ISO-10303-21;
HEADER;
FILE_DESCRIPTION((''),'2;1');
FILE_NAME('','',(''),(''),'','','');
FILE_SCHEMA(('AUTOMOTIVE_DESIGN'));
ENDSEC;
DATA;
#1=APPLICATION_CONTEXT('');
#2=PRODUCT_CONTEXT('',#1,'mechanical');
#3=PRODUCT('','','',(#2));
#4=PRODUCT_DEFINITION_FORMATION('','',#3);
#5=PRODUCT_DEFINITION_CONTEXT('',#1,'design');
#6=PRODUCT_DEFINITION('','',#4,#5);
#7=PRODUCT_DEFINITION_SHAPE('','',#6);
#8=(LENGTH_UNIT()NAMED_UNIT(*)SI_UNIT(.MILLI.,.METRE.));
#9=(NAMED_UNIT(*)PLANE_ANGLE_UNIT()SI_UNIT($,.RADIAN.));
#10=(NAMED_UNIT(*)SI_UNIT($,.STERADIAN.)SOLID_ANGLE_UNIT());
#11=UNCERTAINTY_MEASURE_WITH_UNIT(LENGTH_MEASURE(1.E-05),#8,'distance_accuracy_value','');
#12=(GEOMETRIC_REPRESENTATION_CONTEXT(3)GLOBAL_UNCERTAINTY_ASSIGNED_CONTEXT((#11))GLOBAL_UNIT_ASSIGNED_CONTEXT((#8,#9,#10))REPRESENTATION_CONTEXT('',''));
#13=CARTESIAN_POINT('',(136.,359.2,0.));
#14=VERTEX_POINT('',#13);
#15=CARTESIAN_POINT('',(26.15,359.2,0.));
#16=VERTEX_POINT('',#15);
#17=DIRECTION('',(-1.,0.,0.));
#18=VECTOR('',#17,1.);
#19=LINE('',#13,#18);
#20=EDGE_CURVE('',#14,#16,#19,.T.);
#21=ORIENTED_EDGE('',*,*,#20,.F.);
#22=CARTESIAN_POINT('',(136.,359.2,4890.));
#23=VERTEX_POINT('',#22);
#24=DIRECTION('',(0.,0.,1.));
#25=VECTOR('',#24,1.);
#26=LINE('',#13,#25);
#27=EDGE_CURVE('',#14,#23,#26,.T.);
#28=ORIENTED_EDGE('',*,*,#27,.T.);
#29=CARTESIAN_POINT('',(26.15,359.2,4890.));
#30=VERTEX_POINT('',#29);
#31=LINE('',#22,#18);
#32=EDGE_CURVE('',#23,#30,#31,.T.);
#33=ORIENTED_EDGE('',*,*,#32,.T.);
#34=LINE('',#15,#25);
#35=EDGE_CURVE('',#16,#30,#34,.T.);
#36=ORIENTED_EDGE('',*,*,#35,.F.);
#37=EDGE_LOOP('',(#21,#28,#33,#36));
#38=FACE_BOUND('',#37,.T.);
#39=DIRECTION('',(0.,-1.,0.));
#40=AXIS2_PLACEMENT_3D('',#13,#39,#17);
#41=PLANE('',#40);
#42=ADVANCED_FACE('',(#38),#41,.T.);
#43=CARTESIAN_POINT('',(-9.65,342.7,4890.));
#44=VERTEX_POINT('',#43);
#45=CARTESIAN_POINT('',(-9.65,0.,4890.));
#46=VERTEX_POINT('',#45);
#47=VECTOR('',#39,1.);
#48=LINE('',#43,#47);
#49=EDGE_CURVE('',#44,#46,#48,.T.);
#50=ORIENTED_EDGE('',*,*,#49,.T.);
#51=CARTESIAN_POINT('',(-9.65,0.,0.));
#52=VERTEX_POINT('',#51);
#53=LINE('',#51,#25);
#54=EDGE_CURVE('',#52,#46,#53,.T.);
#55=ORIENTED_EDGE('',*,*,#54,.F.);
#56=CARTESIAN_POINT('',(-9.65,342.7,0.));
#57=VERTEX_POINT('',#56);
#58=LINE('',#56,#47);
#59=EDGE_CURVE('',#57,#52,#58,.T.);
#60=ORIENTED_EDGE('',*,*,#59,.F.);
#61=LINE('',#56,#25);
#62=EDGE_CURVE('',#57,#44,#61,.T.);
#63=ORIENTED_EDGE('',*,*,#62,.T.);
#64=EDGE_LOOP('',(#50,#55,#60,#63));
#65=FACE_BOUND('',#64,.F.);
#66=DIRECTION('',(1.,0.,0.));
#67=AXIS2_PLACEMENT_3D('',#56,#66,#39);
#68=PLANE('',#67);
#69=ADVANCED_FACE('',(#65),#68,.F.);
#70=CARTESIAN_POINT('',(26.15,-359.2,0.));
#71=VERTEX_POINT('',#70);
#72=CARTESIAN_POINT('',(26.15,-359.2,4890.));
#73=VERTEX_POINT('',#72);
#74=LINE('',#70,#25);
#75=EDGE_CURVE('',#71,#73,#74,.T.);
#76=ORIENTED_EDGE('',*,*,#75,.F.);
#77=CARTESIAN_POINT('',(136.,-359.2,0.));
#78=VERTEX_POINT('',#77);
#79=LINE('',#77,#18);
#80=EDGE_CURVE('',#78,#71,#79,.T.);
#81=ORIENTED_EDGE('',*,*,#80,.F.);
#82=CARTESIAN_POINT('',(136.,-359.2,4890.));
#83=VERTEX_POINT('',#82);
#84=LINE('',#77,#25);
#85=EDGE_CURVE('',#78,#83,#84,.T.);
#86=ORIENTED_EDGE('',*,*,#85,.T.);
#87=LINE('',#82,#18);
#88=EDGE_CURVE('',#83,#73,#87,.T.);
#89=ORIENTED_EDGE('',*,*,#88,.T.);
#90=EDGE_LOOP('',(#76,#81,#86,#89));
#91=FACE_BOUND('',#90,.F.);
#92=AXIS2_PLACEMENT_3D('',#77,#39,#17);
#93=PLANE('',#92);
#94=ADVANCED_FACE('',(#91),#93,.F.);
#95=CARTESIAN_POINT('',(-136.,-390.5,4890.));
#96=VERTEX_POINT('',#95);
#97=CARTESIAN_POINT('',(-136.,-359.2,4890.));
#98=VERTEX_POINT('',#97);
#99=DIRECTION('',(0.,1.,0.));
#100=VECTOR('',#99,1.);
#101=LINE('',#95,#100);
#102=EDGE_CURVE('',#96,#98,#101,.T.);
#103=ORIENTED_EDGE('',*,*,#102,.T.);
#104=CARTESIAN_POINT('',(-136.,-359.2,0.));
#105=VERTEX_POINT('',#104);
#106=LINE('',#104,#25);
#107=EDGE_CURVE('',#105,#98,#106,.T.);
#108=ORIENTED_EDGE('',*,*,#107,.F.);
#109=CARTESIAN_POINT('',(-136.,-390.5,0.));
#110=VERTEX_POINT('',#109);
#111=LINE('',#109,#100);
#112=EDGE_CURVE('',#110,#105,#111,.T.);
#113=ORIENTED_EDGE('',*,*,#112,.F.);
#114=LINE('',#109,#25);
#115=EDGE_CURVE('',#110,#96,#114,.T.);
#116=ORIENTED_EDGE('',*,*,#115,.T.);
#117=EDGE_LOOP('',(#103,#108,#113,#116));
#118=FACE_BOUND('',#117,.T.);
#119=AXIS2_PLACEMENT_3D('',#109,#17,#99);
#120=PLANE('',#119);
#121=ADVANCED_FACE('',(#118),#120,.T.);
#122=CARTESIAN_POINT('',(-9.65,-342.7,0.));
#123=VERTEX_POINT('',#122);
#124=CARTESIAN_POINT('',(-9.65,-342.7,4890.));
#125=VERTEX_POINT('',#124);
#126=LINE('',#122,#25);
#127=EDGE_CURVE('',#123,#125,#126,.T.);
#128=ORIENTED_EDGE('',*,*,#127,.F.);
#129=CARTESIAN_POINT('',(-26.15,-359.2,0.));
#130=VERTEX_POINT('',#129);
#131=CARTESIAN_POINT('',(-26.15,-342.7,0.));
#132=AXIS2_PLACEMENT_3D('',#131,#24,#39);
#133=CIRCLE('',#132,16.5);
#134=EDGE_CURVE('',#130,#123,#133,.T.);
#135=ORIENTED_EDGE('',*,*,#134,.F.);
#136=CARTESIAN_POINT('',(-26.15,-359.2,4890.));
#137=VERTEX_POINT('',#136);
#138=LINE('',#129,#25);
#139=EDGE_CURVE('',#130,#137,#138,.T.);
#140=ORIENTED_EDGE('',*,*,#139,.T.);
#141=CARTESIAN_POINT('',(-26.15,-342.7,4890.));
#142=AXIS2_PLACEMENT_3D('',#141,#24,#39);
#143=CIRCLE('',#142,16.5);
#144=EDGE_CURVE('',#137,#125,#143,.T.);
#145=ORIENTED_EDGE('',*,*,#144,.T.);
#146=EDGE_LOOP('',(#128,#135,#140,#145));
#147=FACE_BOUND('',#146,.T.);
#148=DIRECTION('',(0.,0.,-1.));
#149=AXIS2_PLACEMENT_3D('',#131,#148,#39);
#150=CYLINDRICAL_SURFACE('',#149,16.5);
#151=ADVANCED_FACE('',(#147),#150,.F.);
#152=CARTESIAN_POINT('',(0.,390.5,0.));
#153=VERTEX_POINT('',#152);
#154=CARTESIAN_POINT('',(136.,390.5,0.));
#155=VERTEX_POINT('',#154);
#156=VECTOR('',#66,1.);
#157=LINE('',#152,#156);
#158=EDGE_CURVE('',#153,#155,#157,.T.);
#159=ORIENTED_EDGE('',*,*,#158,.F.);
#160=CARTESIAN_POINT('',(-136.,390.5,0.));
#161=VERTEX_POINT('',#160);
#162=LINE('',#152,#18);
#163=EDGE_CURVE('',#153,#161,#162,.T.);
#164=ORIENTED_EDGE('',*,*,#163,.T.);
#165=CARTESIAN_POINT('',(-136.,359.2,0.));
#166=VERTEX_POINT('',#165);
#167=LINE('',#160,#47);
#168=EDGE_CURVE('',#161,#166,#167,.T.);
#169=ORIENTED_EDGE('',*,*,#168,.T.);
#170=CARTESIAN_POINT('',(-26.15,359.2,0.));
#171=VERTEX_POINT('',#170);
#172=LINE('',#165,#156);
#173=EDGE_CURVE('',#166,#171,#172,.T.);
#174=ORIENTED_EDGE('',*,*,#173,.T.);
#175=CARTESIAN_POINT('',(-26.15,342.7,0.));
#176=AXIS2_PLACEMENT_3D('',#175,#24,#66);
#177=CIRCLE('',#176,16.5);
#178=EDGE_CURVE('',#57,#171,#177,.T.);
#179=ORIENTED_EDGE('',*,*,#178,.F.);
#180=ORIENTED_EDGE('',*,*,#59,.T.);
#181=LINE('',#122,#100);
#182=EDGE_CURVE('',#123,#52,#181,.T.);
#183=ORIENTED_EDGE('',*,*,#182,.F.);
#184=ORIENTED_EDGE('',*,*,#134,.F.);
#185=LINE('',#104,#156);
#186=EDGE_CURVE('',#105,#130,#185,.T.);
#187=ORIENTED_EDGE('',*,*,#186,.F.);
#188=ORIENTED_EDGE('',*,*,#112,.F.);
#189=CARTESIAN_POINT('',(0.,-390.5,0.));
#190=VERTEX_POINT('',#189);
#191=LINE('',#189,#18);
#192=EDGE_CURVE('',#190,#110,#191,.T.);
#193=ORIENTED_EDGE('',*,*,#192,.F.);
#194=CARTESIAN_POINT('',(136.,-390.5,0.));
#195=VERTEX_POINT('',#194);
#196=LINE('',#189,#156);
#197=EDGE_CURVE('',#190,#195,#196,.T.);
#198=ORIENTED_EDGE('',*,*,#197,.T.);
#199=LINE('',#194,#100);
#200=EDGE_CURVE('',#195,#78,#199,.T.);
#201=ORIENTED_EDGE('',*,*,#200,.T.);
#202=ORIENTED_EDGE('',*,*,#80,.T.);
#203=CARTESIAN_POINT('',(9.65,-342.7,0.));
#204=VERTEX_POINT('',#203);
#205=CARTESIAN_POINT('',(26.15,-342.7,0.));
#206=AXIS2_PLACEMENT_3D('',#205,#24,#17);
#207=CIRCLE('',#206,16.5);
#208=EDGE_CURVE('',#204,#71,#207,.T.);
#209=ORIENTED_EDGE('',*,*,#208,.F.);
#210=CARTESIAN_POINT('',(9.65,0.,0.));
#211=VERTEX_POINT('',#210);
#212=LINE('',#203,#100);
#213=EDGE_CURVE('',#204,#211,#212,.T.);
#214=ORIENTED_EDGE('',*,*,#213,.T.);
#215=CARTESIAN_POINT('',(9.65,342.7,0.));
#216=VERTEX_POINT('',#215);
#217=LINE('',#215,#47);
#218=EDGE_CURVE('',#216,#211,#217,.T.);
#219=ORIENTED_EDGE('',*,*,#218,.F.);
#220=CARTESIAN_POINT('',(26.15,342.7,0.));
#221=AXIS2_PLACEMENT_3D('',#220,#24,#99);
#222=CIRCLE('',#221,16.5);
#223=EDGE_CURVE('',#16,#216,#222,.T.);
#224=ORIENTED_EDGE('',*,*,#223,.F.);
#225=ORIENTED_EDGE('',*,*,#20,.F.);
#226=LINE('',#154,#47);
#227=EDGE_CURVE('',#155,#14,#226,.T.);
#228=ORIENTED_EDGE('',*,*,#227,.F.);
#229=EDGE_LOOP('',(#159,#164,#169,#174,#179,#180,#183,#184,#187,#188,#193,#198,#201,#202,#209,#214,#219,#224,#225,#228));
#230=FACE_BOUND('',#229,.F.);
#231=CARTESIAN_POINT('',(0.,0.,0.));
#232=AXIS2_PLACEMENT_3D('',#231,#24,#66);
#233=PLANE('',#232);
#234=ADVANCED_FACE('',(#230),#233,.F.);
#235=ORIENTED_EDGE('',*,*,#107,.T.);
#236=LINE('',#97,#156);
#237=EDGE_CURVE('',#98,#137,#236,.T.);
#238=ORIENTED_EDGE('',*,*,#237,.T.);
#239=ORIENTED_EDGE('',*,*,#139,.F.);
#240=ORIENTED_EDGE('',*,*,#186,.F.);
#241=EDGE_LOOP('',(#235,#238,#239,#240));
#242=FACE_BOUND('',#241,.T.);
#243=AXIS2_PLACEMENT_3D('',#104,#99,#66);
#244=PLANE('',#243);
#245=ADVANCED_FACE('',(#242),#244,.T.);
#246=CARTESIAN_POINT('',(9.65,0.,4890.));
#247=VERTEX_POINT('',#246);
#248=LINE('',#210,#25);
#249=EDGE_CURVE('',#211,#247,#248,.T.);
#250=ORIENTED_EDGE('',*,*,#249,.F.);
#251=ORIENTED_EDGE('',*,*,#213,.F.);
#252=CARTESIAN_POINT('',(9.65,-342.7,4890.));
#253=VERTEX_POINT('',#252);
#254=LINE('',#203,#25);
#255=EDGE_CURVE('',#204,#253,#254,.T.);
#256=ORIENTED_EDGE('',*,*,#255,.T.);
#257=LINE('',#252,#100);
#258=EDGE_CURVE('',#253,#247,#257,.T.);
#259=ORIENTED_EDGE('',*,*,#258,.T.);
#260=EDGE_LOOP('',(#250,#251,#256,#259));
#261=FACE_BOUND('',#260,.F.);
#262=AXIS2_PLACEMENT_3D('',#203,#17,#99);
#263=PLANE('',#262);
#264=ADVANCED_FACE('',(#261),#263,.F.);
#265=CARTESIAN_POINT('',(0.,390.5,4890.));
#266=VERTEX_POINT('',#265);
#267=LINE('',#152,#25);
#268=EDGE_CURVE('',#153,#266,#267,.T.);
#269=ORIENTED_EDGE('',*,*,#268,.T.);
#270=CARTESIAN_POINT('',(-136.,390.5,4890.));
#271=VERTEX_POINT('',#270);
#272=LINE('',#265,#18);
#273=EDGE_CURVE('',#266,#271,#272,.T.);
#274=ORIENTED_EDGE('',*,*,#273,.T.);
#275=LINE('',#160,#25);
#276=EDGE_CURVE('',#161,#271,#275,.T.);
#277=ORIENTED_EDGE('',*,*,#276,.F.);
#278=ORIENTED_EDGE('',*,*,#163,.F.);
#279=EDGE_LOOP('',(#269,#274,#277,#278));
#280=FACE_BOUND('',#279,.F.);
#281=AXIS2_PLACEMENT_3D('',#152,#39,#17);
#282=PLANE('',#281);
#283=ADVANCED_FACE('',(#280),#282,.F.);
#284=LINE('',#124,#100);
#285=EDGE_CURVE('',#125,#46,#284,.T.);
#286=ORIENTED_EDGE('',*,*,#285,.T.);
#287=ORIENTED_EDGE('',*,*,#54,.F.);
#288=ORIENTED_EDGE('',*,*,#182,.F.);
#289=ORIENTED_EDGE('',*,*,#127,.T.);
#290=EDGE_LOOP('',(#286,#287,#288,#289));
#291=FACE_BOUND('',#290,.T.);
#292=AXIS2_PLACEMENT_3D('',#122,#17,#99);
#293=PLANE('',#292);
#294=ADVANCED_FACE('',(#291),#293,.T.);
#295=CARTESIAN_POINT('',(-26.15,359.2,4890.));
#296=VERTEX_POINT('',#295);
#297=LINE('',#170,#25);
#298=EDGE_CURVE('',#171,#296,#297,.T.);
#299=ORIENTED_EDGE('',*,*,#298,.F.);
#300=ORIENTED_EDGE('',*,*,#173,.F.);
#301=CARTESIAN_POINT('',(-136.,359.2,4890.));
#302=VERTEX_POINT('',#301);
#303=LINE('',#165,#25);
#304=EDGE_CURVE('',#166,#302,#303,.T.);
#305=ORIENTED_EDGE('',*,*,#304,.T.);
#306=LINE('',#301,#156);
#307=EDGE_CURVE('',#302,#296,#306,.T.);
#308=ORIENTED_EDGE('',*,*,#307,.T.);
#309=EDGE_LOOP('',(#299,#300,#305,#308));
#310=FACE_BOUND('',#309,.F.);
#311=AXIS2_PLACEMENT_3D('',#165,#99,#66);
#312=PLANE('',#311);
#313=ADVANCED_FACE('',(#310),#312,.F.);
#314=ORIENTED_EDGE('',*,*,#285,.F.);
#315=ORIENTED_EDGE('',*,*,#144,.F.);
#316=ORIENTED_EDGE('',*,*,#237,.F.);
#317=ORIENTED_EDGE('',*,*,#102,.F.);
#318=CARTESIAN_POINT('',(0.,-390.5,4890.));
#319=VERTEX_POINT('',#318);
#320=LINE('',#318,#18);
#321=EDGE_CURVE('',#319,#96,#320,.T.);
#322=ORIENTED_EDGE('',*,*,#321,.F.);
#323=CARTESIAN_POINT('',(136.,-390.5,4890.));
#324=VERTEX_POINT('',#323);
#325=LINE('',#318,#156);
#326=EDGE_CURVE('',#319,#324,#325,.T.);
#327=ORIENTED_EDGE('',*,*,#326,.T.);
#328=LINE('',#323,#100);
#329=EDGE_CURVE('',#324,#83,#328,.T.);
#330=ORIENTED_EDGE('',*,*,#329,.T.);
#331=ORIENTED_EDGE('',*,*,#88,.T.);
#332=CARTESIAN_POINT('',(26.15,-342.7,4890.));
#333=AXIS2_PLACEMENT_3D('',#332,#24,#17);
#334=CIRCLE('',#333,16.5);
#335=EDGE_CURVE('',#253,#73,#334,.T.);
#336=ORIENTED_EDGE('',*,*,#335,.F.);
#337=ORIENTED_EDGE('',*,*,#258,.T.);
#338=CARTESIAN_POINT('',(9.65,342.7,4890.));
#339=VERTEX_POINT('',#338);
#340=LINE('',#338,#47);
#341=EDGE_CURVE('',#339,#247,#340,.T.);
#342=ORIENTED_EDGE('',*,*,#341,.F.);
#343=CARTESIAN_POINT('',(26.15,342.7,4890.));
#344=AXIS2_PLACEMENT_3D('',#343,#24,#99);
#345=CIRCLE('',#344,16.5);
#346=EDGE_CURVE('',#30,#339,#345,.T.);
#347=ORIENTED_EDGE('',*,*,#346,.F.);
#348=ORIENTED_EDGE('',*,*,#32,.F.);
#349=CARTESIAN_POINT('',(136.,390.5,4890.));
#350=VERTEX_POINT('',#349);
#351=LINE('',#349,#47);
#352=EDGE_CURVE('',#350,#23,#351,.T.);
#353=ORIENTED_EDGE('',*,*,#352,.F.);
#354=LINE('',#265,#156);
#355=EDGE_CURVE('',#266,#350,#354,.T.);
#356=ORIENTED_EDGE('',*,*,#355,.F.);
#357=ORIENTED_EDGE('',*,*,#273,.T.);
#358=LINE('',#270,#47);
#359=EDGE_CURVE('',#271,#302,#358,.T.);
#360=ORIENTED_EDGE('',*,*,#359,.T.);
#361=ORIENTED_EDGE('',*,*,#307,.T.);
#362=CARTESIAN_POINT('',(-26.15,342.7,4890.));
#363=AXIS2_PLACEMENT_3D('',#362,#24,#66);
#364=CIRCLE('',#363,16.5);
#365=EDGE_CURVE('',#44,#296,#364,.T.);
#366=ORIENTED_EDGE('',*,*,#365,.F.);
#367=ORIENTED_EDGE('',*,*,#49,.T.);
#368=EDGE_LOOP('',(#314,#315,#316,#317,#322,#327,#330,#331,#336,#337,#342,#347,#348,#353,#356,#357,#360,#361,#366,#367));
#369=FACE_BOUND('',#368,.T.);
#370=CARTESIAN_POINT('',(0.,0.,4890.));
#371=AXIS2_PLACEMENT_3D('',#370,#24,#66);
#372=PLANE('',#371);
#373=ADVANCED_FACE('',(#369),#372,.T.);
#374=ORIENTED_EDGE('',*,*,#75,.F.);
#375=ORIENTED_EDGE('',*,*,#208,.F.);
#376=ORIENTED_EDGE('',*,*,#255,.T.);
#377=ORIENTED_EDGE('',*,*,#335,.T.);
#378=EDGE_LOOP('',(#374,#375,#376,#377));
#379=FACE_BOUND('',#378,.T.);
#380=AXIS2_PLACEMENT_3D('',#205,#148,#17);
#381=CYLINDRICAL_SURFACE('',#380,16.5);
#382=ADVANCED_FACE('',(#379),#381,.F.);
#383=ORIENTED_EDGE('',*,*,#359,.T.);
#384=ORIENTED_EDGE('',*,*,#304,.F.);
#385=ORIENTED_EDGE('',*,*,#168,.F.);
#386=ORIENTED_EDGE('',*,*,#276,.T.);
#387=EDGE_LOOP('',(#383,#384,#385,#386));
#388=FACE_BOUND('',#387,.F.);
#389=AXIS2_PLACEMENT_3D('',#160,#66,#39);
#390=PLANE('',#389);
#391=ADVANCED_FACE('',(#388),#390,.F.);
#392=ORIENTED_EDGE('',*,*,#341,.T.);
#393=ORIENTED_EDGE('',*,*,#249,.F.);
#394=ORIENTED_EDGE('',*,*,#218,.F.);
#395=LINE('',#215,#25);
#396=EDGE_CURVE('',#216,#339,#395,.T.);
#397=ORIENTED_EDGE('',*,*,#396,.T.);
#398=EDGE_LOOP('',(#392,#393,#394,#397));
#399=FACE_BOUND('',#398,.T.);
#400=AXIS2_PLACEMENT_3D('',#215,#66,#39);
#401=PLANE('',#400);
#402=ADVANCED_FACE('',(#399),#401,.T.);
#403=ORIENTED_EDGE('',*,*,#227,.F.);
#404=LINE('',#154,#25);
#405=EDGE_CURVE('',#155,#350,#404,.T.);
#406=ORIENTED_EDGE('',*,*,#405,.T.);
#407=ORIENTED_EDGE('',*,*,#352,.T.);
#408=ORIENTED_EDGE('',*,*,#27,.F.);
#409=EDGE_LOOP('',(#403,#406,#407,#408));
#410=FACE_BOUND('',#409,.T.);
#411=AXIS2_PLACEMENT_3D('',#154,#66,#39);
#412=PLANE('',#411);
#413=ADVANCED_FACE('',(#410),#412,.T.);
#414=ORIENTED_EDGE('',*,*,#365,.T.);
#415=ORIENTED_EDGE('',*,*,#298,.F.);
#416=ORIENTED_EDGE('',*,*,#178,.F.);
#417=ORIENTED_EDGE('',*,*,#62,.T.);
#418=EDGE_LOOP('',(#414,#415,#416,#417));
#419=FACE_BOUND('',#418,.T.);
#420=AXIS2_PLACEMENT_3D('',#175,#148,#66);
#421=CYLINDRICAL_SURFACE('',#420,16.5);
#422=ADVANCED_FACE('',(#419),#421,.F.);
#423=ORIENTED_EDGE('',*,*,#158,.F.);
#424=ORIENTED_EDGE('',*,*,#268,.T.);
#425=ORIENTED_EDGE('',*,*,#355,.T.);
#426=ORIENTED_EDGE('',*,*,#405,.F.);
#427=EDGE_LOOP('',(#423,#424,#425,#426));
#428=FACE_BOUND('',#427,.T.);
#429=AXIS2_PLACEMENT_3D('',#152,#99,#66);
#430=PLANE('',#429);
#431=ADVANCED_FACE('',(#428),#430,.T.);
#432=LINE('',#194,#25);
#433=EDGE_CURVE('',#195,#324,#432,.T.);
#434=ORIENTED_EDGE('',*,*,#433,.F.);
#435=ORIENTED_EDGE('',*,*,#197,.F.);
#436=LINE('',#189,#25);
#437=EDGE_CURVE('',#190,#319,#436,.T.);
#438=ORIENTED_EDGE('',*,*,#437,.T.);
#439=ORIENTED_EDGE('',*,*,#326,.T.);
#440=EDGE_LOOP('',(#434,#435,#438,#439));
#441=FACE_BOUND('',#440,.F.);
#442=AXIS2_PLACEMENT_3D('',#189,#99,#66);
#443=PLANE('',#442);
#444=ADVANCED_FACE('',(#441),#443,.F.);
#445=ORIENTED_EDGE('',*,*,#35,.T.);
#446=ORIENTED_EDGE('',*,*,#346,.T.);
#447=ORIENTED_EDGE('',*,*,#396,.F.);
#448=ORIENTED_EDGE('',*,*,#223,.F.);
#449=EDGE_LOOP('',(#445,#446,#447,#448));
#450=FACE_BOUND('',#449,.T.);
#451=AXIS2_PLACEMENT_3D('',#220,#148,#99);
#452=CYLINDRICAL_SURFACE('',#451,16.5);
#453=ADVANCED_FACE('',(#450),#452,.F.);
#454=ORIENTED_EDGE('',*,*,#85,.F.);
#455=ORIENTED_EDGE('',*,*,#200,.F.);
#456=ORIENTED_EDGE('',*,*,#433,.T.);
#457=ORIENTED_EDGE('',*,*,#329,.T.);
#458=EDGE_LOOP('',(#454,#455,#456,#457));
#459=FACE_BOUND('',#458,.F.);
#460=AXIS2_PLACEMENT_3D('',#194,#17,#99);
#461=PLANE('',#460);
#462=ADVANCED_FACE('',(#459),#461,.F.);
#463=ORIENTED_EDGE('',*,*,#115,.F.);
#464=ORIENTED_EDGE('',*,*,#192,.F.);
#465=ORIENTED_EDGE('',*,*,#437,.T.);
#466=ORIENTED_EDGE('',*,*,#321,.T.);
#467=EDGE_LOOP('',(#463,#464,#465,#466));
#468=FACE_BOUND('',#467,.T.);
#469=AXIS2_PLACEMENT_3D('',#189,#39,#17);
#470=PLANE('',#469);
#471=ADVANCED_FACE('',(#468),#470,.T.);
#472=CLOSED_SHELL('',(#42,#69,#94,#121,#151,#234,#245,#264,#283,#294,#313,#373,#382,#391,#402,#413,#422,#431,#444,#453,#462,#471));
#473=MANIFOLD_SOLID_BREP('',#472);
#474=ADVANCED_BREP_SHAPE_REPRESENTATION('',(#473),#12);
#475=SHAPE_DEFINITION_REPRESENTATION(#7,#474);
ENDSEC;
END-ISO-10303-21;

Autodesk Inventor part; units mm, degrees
ref_plane "YZ Plane" through (0, 0, 0) normal (1, 0, 0) x (0, 1, 0)
ref_plane "Start plane" through (0, 0, 0) normal (0, 0, 1) x (1, 0, 0)
ref_plane "End plane" through (0, 0, 4890) normal (0, 0, 1) x (1, 0, 0)
sketch "Sketch" plane through (0, 0, 0) normal (0, 0, 1) x (1, 0, 0)
  line L0 (-136, -390.5) -> (-136, -359.2)
  line L1 (-136, -359.2) -> (-26.15, -359.2)
  line L2 (-9.65, -342.7) -> (-9.65, 0)
  line L3 (-9.65, 0) -> (0, 0) construction
  line L4 (0, 0) -> (0, -390.5) construction
  line L5 (0, -390.5) -> (-136, -390.5)
  line L6 (-60, 0) -> (80, 0) construction
  line L7 (0, -60) -> (0, 80) construction
  line L8 (136, -390.5) -> (136, -359.2)
  line L9 (136, -359.2) -> (26.15, -359.2)
  line L10 (9.65, -342.7) -> (9.65, 0)
  line L11 (9.65, 0) -> (0, 0) construction
  line L12 (0, -390.5) -> (136, -390.5)
  line L13 (-136, 390.5) -> (-136, 359.2)
  line L14 (-136, 359.2) -> (-26.15, 359.2)
  line L15 (-9.65, 342.7) -> (-9.65, 0)
  line L16 (0, 390.5) -> (-136, 390.5)
  line L17 (136, 390.5) -> (136, 359.2)
  line L18 (136, 359.2) -> (26.15, 359.2)
  line L19 (0, 390.5) -> (136, 390.5)
  line L20 (9.65, 342.7) -> (9.65, 0)
  arc A0 (-9.65, 342.7) -> (-26.15, 359.2) centre (-26.15, 342.7) ccw
  arc A1 (26.15, 359.2) -> (9.65, 342.7) centre (26.15, 342.7) ccw
  arc A2 (9.65, -342.7) -> (26.15, -359.2) centre (26.15, -342.7) ccw
  arc A3 (-26.15, -359.2) -> (-9.65, -342.7) centre (-26.15, -342.7) ccw
  line L21 (0, 108) -> (0, -88) construction
  line L22 (-88, 0) -> (108, 0) construction
  point P0 (-9.65, -359.2)
  point P1 (9.65, -359.2)
  point P2 (-9.65, 359.2)
  point P3 (9.65, 359.2)
  dimension "d1" = 390.5
  dimension "d2" = 31.3
  dimension "d3" = 136
  dimension "d4" = 9.65
  dimension "d10" = 16.5
extrude "Body" add sketch "Sketch" along normal up to surface (4890 mm away) from surface at 0
sketch "Sketch4" plane through (0, 0, 0) normal (0, 0, 1) x (1, 0, 0)
  line L0 (0, 0) -> (10, 0)
ref_plane "Work Plane3" through (0, 0, 0) normal (0, -1, 0) x (1, 0, 0)
sketch "Sketch5" plane through (0, 0, 0) normal (0, -1, 0) x (1, 0, 0)
  line L0 (-2, 0) -> (12, 0) projected
  line L1 (-2, 4890) -> (12, 4890) projected
  dimension "d14" = 4890
equation "\"d1\" = 0.5 * G_H"
equation "\"d2\" = G_T1"
equation "\"d3\" = 0.5 * G_W"
equation "\"d4\" = 0.5 * G_T"
equation "\"d10\" = G_IR"
equation "\"d5\" = G_L"
equation "\"G_W\" = 272"
equation "\"G_H\" = 781"
equation "\"G_T\" = 19.3"
equation "\"G_T1\" = 31.3"
equation "\"G_IR\" = 16.5"
equation "\"G_L\" = d14"
equation "\"G_OFFSET_START\" = 0"
equation "\"G_OFFSET_END\" = 0"
properties part number "AS 3679-1990 - 760 UB - 244 - 4890" material "Steel, Mild"
